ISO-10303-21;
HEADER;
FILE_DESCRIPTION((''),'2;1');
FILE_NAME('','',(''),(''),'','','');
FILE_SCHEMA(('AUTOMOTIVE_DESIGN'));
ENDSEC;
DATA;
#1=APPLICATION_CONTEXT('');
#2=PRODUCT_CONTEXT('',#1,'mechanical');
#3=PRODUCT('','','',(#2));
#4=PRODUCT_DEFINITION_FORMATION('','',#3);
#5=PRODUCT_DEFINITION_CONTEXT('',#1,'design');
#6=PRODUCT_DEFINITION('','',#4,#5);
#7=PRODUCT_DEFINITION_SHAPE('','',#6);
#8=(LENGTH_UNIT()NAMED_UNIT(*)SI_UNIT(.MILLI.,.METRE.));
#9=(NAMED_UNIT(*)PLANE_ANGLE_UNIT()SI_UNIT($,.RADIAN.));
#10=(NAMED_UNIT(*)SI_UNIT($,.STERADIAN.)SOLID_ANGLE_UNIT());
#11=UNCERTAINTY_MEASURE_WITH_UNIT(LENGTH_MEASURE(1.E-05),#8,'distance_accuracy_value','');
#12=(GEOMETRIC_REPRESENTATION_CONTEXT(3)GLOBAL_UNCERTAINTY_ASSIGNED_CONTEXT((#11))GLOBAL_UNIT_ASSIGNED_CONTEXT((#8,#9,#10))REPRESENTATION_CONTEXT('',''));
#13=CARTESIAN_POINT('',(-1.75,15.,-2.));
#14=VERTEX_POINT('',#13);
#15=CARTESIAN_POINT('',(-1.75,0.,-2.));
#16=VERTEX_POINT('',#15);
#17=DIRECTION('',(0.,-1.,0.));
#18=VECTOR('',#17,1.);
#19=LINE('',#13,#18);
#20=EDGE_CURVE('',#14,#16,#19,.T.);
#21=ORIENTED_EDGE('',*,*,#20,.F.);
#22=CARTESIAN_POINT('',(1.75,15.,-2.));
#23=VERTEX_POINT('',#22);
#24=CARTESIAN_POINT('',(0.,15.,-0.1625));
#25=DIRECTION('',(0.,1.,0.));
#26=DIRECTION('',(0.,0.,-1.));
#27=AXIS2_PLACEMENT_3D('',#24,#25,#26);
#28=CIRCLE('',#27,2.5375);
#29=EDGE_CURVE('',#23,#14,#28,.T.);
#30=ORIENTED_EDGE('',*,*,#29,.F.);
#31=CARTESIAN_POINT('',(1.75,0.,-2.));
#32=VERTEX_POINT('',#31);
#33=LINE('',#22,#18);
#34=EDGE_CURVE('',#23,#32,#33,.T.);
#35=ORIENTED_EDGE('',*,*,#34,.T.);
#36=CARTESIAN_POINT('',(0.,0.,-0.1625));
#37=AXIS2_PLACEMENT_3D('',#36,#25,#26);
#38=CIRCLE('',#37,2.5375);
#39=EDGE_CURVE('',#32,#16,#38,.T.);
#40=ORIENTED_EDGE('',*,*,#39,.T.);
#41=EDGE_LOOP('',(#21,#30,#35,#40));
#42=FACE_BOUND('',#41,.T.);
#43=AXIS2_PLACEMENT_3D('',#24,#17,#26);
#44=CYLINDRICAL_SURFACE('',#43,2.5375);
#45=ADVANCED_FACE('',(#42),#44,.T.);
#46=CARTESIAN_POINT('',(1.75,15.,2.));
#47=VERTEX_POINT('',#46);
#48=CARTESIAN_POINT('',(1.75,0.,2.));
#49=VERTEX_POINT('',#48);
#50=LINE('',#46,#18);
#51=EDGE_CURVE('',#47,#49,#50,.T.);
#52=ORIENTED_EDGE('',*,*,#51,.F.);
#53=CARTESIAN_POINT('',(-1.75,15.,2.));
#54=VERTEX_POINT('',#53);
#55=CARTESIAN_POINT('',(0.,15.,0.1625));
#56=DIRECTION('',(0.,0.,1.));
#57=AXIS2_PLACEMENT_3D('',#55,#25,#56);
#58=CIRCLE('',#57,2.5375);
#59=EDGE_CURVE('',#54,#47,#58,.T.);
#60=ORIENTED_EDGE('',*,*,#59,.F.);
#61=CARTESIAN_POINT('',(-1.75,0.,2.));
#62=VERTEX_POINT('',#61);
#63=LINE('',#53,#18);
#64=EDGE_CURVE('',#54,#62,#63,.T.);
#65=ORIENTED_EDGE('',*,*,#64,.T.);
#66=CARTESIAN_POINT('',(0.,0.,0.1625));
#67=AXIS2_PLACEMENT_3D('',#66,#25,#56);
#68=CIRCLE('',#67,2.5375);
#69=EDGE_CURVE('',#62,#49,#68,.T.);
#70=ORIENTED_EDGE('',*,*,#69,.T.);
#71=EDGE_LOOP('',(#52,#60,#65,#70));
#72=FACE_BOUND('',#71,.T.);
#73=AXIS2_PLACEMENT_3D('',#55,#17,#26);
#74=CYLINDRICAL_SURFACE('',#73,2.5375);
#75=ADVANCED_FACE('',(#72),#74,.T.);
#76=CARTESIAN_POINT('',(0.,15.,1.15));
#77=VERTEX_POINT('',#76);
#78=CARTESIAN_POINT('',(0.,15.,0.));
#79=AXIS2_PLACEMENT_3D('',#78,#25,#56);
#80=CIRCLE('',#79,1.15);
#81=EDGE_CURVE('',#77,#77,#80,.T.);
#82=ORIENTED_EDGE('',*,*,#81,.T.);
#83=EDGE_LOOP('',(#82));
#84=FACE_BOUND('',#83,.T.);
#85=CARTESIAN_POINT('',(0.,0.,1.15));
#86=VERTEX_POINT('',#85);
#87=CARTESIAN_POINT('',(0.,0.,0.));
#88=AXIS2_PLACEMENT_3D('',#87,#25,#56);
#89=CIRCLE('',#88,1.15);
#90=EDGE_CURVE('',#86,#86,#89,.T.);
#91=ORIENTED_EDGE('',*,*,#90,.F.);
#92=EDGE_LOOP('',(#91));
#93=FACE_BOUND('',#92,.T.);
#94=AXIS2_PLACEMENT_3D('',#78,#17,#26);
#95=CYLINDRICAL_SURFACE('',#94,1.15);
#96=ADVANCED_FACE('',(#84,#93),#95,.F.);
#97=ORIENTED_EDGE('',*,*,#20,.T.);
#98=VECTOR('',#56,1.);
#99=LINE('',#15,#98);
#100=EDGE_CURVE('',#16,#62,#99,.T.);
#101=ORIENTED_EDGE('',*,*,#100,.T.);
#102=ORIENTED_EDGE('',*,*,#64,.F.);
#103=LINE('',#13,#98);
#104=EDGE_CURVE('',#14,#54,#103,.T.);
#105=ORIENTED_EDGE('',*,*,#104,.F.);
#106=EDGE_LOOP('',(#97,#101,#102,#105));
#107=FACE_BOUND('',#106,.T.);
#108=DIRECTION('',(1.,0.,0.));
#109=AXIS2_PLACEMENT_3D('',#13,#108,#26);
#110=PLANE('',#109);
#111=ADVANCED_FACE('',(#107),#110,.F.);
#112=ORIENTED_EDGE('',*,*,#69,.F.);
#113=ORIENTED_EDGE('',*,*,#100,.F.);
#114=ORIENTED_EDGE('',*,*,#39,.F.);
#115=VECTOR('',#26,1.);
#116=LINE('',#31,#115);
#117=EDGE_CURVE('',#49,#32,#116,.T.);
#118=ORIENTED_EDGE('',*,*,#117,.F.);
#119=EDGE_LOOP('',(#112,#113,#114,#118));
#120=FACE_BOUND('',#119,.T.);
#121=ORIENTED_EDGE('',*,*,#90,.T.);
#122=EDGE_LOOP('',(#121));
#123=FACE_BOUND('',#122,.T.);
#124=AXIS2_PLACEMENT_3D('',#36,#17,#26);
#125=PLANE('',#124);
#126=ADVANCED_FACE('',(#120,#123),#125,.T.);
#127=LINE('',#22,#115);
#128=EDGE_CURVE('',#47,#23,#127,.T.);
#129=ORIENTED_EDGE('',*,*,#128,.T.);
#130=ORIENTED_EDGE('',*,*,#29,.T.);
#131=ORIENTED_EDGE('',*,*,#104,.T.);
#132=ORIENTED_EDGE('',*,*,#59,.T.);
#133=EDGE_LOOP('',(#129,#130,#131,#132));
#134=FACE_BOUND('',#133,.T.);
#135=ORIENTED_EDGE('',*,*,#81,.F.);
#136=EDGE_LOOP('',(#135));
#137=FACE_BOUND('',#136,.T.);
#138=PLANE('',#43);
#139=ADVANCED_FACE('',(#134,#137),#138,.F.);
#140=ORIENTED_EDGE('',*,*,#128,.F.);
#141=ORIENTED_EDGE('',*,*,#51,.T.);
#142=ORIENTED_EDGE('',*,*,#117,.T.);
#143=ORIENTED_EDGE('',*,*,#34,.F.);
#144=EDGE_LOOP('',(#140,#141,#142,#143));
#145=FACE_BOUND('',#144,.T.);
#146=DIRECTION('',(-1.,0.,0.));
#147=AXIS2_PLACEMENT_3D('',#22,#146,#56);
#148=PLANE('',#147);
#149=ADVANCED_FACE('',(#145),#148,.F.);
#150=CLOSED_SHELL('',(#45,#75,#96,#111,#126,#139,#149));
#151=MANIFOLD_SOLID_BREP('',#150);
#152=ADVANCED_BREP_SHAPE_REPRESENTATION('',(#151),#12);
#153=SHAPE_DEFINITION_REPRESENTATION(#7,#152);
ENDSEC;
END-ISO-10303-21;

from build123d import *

# Parameters (mm, degrees)
SKETCH1_R           = 1.15
BOSS_EXTRUDE1_DEPTH = 15


with BuildPart() as part:
    # Sketch1 → Boss-Extrude1 (new body)
    with BuildSketch(Plane(origin=(0, 0, 0), x_dir=(1, 0, 0), z_dir=(0, 1, 0))):
        with BuildLine():
            Line((-1.75, 2), (-1.75, -2))
            ThreePointArc((-1.75, -2), (0, -2.7), (1.75, -2))
            Line((1.75, -2), (1.75, 2))
            ThreePointArc((1.75, 2), (0, 2.7), (-1.75, 2))
        make_face()
        with Locations(Location((0, 0, 0), (0, 0, 270))):
            Circle(SKETCH1_R, mode=Mode.SUBTRACT)
    extrude(amount=BOSS_EXTRUDE1_DEPTH)


solid = part.part
